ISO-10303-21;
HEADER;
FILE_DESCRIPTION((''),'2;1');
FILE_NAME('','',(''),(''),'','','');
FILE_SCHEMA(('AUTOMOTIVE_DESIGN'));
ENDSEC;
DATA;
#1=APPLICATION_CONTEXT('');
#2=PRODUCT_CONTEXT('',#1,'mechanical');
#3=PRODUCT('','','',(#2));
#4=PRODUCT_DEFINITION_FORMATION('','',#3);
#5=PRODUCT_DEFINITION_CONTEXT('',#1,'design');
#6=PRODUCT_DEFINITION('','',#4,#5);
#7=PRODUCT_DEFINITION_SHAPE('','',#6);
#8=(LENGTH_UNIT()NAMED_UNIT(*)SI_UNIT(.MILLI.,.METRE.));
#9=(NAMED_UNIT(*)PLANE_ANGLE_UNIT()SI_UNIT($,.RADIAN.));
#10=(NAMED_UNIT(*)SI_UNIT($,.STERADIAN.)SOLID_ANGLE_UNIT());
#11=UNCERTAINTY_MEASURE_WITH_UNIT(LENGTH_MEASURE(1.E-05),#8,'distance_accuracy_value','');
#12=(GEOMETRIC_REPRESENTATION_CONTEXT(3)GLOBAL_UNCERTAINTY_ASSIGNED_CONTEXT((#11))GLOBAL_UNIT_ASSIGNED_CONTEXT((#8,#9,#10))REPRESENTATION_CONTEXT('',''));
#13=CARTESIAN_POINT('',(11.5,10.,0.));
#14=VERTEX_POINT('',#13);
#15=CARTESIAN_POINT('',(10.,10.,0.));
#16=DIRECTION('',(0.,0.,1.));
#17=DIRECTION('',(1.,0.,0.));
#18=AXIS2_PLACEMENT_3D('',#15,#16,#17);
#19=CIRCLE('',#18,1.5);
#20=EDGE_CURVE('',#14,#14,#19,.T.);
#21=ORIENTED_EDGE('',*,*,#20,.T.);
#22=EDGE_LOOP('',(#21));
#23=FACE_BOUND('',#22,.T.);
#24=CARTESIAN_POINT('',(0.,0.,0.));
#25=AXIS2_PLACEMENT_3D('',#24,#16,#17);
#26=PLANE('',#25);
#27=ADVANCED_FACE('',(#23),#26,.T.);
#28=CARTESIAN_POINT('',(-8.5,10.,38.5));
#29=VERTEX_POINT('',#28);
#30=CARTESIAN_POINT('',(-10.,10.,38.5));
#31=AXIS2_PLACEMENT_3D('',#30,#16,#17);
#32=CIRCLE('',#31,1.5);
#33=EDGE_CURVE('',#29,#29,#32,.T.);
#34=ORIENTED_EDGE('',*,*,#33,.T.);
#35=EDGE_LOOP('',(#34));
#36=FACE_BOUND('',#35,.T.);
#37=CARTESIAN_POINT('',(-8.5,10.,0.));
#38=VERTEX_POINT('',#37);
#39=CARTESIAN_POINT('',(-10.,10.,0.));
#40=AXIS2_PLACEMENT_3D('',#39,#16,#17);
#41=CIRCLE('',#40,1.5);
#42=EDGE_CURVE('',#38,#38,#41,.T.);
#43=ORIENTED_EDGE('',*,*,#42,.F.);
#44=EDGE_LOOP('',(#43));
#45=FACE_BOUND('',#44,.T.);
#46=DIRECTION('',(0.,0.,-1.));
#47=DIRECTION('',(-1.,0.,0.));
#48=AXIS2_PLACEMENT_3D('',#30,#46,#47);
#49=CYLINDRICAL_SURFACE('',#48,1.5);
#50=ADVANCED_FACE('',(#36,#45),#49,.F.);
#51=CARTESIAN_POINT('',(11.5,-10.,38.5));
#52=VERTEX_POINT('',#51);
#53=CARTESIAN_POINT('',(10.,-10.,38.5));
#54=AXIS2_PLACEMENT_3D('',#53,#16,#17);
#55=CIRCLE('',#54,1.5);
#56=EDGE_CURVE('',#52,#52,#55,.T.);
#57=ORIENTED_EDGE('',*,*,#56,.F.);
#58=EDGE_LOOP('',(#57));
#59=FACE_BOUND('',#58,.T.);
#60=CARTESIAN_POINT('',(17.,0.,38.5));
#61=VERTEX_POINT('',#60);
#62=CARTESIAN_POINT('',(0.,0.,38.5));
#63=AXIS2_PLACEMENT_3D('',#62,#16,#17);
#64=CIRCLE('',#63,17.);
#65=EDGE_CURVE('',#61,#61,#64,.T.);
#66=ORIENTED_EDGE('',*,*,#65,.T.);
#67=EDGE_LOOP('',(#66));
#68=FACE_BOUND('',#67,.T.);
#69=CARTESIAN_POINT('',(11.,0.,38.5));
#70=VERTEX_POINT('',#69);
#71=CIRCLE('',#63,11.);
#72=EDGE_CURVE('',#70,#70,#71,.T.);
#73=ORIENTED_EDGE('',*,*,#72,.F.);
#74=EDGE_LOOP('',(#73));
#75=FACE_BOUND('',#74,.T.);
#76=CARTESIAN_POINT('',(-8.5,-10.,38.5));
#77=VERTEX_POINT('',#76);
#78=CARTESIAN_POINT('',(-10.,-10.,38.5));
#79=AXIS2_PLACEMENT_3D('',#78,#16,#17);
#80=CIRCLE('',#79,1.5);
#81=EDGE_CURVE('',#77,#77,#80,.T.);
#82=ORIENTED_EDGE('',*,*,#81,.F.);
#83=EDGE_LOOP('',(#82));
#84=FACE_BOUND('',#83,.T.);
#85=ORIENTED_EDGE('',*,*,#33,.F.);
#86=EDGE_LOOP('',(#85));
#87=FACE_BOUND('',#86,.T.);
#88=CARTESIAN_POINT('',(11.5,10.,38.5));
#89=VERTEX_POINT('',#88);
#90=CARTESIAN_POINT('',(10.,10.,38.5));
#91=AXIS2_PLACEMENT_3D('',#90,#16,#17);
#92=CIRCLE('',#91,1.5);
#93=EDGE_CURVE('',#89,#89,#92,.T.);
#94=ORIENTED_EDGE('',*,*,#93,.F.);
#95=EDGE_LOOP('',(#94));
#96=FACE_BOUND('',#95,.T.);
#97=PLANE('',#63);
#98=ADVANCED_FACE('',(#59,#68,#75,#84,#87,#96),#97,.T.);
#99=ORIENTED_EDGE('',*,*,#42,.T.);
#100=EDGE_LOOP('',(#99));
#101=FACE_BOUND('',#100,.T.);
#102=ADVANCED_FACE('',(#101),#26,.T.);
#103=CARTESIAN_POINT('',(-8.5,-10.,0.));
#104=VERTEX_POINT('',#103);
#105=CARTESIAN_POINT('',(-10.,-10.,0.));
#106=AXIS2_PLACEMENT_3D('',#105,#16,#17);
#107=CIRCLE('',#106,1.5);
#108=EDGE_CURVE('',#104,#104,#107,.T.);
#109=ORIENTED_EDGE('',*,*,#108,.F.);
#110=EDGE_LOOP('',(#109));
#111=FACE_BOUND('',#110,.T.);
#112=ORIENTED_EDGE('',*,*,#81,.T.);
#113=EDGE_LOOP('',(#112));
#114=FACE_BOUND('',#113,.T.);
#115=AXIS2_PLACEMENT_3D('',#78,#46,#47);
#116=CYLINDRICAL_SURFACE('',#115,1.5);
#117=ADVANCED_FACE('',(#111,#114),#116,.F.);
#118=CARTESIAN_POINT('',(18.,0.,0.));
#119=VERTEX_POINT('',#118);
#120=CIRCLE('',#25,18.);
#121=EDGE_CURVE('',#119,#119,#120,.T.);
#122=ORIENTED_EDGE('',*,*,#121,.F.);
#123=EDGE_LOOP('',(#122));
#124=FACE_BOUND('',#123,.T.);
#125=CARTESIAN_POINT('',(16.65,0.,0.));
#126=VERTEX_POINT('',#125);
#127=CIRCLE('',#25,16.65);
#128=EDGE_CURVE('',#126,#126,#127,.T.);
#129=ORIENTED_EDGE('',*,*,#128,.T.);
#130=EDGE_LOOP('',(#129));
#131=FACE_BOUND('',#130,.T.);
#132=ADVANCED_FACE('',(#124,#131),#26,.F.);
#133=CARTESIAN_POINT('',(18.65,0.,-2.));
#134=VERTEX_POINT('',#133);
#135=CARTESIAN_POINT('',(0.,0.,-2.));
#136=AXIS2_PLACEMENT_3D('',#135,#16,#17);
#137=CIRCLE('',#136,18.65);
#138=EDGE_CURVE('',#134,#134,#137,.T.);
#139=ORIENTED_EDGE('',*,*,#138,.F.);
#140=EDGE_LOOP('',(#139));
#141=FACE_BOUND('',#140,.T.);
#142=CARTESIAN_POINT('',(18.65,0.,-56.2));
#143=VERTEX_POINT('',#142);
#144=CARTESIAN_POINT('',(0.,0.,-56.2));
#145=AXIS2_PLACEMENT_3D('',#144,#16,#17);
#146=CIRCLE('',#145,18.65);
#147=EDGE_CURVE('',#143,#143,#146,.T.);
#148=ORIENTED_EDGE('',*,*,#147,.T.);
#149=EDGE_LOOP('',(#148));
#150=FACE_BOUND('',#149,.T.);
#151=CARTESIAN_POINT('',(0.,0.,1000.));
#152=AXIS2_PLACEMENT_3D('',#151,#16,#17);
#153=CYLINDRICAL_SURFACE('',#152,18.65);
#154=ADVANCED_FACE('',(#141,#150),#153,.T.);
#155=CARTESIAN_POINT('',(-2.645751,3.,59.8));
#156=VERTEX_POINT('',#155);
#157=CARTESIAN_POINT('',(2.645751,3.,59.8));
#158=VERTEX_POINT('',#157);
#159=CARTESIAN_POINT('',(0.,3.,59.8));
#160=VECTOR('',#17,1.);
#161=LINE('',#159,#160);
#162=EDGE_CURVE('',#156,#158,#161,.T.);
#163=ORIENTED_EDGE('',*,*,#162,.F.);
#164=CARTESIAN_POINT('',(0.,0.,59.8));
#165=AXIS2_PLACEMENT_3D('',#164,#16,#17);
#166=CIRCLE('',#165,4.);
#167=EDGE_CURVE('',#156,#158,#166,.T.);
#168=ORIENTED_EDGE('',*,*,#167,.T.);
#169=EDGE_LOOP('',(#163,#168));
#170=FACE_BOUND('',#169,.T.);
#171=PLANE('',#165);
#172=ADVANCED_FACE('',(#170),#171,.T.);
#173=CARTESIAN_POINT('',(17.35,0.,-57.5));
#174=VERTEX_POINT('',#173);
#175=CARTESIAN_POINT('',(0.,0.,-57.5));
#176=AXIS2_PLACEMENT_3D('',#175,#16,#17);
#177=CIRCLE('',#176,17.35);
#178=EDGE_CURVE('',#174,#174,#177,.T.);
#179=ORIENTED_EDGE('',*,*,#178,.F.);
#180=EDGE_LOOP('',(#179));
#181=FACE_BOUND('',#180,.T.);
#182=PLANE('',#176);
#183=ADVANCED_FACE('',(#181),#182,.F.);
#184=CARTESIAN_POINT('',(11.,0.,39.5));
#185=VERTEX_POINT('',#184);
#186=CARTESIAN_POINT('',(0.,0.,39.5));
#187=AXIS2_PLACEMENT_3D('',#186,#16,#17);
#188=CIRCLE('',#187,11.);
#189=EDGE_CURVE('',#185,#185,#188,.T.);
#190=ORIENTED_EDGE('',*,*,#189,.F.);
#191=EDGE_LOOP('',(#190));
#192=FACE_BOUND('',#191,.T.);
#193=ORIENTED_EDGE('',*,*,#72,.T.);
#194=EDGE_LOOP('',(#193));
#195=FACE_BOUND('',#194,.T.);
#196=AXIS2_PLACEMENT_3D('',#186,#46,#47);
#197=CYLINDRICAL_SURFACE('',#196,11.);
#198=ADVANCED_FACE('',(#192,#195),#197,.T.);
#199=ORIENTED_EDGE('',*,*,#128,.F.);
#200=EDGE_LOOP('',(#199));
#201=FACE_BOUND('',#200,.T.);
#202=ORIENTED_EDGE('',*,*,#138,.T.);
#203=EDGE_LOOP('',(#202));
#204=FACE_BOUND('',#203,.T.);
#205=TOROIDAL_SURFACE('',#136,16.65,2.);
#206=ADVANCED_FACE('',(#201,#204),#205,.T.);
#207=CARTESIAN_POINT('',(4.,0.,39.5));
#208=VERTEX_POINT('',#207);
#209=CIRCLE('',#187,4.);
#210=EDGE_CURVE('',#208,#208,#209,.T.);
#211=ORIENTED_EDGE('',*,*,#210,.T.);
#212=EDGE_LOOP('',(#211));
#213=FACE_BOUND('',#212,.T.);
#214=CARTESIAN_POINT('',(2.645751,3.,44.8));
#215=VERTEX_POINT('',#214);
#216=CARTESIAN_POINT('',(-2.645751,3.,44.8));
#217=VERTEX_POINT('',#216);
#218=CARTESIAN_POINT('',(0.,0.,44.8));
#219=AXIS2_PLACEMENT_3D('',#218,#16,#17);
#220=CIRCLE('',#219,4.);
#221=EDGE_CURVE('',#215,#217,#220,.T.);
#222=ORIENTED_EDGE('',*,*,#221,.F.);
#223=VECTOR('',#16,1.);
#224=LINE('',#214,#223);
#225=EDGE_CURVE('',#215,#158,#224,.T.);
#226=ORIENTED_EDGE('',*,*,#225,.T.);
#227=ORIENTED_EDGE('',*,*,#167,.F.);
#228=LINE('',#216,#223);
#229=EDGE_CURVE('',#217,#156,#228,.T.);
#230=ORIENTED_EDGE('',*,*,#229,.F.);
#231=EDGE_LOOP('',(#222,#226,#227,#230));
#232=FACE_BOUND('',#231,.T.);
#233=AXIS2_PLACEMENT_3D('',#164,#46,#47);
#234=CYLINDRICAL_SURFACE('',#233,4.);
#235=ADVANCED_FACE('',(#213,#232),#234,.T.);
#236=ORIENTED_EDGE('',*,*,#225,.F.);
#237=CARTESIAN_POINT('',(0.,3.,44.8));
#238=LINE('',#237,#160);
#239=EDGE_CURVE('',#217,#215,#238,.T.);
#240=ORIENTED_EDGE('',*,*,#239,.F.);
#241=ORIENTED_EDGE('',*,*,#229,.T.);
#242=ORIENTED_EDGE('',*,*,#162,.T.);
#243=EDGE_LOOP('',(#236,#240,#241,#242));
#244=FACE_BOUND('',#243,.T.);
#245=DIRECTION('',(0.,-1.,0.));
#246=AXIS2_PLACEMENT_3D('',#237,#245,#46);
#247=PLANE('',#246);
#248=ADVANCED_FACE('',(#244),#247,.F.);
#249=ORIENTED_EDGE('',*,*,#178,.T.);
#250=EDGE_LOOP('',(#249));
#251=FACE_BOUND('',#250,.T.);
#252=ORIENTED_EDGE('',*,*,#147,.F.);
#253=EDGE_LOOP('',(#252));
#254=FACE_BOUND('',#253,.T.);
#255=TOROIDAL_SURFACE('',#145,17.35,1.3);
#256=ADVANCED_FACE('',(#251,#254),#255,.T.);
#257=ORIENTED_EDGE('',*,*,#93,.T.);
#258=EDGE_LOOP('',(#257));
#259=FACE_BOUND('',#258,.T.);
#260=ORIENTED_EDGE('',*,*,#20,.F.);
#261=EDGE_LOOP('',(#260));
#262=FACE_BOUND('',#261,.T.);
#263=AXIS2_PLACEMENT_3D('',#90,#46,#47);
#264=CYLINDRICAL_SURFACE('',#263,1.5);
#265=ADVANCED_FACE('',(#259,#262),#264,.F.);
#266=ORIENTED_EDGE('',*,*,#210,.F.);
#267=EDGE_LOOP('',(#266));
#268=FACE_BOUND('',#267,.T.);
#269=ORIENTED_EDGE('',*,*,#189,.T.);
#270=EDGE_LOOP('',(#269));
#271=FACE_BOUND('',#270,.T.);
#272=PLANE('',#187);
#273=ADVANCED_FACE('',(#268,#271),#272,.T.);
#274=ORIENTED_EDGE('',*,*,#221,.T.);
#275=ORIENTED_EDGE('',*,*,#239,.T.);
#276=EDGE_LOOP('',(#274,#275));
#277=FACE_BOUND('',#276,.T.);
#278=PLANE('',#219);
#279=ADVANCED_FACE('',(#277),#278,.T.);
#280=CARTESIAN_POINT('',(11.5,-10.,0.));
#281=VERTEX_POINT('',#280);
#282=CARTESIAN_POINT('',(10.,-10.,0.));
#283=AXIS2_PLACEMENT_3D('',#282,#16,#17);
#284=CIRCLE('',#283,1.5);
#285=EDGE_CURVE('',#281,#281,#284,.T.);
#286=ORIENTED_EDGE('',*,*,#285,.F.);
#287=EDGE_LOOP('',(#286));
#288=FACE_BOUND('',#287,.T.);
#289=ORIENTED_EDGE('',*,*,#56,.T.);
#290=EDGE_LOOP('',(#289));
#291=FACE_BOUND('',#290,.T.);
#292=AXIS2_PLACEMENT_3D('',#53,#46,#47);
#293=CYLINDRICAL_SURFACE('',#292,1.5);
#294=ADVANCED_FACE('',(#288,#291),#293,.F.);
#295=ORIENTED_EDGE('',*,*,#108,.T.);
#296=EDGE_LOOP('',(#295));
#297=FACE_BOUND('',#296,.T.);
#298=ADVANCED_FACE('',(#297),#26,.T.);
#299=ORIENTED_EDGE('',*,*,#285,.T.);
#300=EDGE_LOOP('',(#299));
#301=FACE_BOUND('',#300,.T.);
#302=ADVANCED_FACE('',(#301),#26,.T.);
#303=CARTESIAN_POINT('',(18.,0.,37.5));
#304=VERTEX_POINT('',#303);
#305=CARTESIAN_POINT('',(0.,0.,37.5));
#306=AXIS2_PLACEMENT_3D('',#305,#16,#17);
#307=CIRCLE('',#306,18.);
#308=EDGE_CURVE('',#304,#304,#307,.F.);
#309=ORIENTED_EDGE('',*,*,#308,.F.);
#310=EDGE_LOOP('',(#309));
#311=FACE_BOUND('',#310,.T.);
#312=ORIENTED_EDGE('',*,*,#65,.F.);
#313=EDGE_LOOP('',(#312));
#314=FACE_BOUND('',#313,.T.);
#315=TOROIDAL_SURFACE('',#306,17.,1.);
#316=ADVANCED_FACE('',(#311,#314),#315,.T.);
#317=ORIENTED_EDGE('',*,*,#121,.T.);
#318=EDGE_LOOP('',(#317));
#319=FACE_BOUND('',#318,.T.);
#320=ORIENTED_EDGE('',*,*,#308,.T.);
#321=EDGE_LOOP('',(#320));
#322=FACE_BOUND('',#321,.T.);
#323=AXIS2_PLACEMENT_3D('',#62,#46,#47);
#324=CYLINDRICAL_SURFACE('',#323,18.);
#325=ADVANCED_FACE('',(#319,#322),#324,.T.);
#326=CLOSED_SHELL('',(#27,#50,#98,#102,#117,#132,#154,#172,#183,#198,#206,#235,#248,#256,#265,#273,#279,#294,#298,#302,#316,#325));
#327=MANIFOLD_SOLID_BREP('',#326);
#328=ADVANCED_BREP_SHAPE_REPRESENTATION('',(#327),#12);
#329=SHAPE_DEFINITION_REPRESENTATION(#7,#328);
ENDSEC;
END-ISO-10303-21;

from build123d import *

# Parameters (mm, degrees)
SKETCH1_R           = 18
SKETCH1_R_2         = 1.5
GEARBOX_DEPTH       = 38.5
SKETCH3_R           = 4
BOSS_EXTRUDE2_DEPTH = 21.3
SKETCH4_W           = 5.291502622
SKETCH4_H           = 1
CUT_EXTRUDE1_DEPTH  = 15
FILLET1_R           = 1
SKETCH5_R           = 11
BOSS_EXTRUDE3_DEPTH = 1


with BuildPart() as part:
    # Sketch1 → GearBox (new body)
    with BuildSketch(Plane.XY):
        Circle(SKETCH1_R)
        with Locations((-10, 10)):
            Circle(SKETCH1_R_2, mode=Mode.SUBTRACT)
        with Locations((10, 10)):
            Circle(SKETCH1_R_2, mode=Mode.SUBTRACT)
        with Locations((10, -10)):
            Circle(SKETCH1_R_2, mode=Mode.SUBTRACT)
        with Locations((-10, -10)):
            Circle(SKETCH1_R_2, mode=Mode.SUBTRACT)
    extrude(amount=GEARBOX_DEPTH)

    # Sketch2 → Motor (revolve)
    with BuildSketch(Plane(origin=(0, 0, 0), x_dir=(0, 0, -1), z_dir=(1, 0, 0)), mode=Mode.PRIVATE) as motor_sk:
        with BuildLine():
            Line((0, 0), (57.5, 0))
            Line((57.5, 0), (57.5, 17.35))
            ThreePointArc((57.5, 17.35), (57.119238816, 18.269238816), (56.2, 18.65))
            Line((56.2, 18.65), (2, 18.65))
            ThreePointArc((2, 18.65), (0.585786438, 18.064213562), (0, 16.65))
            Line((0, 16.65), (0, 0))
        make_face()
    revolve(motor_sk.sketch.rotate(Axis((0, 0, 1000), (0, 0, -1)), 90), axis=Axis((0, 0, 1000), (0, 0, -1)))

    # Sketch3 → Boss-Extrude2 (add)
    with BuildSketch(Plane.XY.offset(38.5)):
        Circle(SKETCH3_R)
    extrude(amount=BOSS_EXTRUDE2_DEPTH)

    # Sketch4 → Cut-Extrude1 (cut)
    with BuildSketch(Plane.XY.offset(59.8)):
        with Locations((0, 3.5)):
            Rectangle(SKETCH4_W, SKETCH4_H)
    extrude(amount=-CUT_EXTRUDE1_DEPTH, mode=Mode.SUBTRACT)

    # Fillet1
    fillet1_edges = [part.edges().sort_by_distance(p)[0] for p in [
        (-18, 0, 38.5),
    ]]
    fillet(fillet1_edges, radius=FILLET1_R)

    # Sketch5 → Boss-Extrude3 (add)
    with BuildSketch(Plane.XY.offset(38.5)):
        Circle(SKETCH5_R)
    extrude(amount=BOSS_EXTRUDE3_DEPTH)


solid = part.part
